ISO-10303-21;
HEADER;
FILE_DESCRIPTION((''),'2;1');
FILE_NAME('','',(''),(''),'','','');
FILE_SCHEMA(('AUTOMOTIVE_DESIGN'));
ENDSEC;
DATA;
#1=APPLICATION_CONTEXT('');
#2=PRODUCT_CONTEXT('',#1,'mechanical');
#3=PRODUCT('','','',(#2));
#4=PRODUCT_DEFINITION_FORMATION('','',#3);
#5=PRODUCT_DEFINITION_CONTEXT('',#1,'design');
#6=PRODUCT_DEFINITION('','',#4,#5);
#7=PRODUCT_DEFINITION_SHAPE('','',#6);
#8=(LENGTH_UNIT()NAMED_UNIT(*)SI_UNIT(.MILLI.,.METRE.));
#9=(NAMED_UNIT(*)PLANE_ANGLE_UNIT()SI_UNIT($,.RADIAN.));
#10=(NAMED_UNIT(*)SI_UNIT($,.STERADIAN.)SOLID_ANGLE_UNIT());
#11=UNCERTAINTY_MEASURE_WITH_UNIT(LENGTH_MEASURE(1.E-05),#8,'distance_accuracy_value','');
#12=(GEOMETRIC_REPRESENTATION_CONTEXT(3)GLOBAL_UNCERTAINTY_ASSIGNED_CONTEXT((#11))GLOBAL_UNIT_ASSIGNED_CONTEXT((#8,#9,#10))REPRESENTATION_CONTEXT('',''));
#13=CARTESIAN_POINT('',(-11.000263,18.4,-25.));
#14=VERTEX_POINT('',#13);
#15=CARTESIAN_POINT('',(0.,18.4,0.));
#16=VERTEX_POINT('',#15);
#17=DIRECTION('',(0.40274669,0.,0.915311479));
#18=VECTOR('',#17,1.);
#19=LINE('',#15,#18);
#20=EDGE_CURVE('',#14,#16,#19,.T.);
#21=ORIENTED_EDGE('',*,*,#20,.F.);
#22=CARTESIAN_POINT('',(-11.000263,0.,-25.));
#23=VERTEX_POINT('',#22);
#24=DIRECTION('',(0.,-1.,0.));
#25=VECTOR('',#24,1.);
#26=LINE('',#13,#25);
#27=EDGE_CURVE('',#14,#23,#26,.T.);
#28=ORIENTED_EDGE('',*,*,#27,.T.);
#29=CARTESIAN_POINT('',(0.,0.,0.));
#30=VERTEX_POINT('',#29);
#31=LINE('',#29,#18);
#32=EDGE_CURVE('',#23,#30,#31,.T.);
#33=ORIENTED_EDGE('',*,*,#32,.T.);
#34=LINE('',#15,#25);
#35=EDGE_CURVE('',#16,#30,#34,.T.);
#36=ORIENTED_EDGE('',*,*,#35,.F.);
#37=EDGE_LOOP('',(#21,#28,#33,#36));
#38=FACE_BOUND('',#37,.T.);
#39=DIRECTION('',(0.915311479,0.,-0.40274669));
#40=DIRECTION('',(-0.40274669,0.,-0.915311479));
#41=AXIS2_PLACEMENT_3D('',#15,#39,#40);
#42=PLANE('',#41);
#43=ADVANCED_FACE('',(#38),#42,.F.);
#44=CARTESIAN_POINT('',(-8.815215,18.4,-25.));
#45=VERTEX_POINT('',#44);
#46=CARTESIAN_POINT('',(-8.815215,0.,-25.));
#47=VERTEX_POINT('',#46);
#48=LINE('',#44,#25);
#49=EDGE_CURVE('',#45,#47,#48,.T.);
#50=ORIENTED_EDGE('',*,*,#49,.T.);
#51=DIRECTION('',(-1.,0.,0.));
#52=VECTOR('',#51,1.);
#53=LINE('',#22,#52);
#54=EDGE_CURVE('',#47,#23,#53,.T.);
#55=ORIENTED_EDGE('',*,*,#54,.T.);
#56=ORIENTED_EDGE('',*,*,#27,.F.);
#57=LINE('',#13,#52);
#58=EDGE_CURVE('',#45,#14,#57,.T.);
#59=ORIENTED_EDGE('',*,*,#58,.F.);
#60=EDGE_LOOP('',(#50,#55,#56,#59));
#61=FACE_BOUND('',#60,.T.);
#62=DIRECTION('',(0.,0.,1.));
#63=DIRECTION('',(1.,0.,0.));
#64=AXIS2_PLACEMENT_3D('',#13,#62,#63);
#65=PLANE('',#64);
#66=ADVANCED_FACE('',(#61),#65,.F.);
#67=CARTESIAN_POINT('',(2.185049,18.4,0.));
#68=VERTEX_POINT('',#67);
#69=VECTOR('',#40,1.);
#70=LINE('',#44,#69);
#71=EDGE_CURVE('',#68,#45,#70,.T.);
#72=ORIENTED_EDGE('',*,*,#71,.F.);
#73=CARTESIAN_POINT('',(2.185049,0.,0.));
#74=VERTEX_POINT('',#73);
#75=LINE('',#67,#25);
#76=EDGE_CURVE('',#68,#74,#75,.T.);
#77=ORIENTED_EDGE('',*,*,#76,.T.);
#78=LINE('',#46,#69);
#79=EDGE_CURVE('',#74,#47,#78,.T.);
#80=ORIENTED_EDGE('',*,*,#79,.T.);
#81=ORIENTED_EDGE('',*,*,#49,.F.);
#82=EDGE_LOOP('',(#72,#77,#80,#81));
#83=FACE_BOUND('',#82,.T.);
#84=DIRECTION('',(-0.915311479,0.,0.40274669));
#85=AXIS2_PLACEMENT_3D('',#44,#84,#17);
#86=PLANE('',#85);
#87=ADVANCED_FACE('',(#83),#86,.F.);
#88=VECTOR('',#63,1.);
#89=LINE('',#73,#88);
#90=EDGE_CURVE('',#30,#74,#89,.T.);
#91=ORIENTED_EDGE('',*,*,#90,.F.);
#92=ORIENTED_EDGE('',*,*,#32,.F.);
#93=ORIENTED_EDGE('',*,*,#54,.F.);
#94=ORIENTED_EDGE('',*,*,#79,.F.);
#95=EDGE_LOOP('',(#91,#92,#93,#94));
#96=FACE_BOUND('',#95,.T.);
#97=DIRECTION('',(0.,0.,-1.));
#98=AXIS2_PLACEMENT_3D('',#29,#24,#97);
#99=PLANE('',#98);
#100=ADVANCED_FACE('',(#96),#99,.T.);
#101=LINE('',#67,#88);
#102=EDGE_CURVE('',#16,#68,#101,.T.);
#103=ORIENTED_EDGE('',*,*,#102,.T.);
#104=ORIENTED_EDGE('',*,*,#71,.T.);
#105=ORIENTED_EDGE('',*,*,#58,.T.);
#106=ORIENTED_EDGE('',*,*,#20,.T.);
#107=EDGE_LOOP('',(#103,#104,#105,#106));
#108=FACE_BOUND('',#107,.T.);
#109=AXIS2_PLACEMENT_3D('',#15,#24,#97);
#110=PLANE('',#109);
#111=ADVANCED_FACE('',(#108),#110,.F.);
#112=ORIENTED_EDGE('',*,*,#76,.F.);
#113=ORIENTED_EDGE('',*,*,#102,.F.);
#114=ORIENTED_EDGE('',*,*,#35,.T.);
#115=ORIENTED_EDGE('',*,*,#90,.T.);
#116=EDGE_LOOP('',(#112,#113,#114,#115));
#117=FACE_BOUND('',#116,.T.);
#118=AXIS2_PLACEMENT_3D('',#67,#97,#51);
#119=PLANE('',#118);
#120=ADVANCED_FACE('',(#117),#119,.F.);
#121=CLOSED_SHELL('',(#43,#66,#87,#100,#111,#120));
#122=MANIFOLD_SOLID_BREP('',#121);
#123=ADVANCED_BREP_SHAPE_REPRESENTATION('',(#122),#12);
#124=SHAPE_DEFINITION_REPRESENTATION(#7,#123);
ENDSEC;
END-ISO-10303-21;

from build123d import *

# Parameters (mm, degrees)
BOSS_EXTRUDE1_DEPTH = 18.4


with BuildPart() as part:
    # Sketch1 → Boss-Extrude1 (new body)
    with BuildSketch(Plane(origin=(0, 0, 0), x_dir=(1, 0, 0), z_dir=(0, 1, 0))):
        Polygon((0, 0), (-11.000263272, 25), (-8.815214744, 25), (2.185048528, 0), align=None)
    extrude(amount=BOSS_EXTRUDE1_DEPTH)


solid = part.part
